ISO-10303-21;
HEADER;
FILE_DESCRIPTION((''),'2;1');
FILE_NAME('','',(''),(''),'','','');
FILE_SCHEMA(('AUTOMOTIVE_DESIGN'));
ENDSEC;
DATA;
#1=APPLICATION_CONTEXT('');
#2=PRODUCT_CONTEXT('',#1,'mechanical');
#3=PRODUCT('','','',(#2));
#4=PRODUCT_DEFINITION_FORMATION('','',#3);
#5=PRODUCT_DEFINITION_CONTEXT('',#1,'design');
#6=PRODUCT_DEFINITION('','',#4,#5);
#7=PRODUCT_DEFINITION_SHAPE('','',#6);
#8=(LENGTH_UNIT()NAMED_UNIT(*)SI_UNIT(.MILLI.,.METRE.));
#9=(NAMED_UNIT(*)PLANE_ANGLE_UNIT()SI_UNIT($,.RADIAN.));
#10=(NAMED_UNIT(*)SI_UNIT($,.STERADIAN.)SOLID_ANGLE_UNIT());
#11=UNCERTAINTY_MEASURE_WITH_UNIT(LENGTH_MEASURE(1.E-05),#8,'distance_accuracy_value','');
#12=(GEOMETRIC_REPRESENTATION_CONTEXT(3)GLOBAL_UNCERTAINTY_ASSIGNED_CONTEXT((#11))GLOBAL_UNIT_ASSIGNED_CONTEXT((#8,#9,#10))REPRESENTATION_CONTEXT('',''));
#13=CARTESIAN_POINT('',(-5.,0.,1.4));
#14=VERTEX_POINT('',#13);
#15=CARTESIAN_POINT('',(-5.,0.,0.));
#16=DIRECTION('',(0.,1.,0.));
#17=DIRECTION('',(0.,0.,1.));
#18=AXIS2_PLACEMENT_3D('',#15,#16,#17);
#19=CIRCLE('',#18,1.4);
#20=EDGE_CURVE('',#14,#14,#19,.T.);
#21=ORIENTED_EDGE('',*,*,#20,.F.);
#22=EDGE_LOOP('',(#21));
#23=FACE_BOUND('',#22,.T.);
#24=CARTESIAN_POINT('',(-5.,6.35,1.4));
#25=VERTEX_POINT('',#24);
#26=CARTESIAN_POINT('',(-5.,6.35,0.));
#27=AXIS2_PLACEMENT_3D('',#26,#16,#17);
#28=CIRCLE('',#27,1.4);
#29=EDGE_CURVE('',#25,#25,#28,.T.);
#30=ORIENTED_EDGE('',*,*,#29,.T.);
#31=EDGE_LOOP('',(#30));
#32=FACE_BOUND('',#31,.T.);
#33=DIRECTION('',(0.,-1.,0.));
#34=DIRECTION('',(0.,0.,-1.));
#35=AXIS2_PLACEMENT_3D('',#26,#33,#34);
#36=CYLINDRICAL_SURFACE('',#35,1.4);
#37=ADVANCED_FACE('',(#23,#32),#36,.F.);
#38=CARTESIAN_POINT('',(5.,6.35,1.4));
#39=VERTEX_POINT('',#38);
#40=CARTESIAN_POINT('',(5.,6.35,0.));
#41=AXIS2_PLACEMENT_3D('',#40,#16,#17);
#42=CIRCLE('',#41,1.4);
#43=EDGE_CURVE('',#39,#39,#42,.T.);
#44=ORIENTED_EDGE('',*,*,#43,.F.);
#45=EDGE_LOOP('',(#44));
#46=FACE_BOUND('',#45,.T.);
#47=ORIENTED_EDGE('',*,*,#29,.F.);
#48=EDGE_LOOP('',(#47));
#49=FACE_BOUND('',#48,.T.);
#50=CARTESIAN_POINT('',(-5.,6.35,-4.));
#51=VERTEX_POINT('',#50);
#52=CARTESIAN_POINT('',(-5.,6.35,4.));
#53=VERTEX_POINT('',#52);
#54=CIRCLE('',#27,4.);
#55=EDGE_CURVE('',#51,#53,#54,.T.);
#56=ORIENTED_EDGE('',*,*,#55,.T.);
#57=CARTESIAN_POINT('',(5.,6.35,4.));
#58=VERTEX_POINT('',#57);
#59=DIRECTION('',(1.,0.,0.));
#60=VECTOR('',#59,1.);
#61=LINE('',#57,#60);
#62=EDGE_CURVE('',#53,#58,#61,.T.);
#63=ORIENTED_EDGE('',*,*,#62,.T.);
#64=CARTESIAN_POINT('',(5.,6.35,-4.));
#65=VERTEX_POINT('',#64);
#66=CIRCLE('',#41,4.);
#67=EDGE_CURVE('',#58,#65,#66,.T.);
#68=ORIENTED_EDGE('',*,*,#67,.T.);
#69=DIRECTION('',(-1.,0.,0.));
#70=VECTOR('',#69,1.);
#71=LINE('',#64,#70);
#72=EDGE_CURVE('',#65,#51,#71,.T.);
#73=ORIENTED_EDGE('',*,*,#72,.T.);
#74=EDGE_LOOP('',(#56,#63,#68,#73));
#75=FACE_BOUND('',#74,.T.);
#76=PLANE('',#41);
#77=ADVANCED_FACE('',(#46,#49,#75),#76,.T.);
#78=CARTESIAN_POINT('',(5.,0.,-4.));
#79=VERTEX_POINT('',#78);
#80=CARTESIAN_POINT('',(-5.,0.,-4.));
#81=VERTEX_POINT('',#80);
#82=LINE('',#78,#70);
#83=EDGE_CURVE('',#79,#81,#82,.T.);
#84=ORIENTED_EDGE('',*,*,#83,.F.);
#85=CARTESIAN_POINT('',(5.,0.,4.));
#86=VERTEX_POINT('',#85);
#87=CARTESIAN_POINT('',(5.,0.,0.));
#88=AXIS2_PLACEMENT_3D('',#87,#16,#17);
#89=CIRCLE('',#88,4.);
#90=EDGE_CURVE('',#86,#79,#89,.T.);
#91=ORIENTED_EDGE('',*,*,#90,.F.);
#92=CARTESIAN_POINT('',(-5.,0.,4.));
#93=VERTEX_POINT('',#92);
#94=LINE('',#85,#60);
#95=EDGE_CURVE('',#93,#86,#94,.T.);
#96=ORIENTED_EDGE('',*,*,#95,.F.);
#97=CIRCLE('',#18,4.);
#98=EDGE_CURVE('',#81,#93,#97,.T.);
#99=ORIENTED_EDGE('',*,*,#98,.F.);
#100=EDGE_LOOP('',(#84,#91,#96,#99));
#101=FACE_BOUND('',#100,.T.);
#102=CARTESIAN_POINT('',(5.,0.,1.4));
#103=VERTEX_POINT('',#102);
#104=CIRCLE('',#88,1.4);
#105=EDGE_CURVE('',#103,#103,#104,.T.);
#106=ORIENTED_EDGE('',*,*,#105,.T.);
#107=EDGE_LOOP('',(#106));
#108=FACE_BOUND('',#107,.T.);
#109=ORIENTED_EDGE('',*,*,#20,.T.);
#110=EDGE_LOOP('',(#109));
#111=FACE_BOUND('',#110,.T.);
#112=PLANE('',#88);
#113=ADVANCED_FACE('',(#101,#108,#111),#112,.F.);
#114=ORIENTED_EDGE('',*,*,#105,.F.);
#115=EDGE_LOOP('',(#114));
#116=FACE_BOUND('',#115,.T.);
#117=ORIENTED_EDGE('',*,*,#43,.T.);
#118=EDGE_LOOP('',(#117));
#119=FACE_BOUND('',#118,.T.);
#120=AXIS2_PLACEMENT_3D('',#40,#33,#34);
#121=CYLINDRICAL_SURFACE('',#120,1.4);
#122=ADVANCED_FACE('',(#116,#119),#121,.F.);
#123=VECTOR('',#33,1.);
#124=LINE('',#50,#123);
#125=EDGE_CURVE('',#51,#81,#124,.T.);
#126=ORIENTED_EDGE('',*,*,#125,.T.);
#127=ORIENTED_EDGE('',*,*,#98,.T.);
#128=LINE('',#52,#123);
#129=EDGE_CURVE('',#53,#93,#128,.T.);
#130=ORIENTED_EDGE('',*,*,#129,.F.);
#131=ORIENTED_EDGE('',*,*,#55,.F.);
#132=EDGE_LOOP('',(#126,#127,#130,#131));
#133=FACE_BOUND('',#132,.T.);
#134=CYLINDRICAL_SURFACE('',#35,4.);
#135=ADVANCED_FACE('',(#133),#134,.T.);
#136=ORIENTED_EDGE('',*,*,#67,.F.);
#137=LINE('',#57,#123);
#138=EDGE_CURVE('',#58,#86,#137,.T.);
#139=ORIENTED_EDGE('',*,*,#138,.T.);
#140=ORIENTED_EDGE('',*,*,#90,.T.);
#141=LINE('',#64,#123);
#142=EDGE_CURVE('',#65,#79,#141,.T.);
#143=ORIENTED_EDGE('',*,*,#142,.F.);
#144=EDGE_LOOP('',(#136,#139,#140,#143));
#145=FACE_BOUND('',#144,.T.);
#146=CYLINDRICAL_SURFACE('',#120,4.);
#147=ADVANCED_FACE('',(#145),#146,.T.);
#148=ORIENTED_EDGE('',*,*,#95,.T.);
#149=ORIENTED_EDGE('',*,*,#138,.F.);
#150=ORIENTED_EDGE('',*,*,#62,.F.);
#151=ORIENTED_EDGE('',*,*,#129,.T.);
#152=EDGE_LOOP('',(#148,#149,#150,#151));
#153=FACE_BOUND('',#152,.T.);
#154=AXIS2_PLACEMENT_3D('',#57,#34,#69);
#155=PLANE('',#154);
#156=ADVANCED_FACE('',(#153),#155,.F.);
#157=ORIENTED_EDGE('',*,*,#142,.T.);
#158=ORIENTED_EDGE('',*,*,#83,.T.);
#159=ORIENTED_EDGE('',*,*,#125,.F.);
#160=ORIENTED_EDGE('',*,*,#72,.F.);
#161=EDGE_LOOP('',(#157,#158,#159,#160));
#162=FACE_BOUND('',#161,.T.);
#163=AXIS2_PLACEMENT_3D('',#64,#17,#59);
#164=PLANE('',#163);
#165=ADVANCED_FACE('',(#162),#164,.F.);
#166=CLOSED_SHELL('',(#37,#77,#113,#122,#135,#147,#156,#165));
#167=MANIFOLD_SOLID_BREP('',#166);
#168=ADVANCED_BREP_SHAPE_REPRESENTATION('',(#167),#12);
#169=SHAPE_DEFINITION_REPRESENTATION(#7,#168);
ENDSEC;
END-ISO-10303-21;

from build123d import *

# Parameters (mm, degrees)
SKETCH1_R           = 1.4
BOSS_EXTRUDE1_DEPTH = 6.35


with BuildPart() as part:
    # Sketch1 → Boss-Extrude1 (new body)
    with BuildSketch(Plane(origin=(0, 0, 0), x_dir=(1, 0, 0), z_dir=(0, 1, 0))):
        with BuildLine():
            Line((5, -4), (-5, -4))
            ThreePointArc((-5, -4), (-9, 0), (-5, 4))
            Line((-5, 4), (5, 4))
            ThreePointArc((5, 4), (9, 0), (5, -4))
        make_face()
        with Locations(Location((-5, 0, 0), (0, 0, 270))):
            Circle(SKETCH1_R, mode=Mode.SUBTRACT)
        with Locations(Location((5, 0, 0), (0, 0, 270))):
            Circle(SKETCH1_R, mode=Mode.SUBTRACT)
    extrude(amount=BOSS_EXTRUDE1_DEPTH)


solid = part.part
